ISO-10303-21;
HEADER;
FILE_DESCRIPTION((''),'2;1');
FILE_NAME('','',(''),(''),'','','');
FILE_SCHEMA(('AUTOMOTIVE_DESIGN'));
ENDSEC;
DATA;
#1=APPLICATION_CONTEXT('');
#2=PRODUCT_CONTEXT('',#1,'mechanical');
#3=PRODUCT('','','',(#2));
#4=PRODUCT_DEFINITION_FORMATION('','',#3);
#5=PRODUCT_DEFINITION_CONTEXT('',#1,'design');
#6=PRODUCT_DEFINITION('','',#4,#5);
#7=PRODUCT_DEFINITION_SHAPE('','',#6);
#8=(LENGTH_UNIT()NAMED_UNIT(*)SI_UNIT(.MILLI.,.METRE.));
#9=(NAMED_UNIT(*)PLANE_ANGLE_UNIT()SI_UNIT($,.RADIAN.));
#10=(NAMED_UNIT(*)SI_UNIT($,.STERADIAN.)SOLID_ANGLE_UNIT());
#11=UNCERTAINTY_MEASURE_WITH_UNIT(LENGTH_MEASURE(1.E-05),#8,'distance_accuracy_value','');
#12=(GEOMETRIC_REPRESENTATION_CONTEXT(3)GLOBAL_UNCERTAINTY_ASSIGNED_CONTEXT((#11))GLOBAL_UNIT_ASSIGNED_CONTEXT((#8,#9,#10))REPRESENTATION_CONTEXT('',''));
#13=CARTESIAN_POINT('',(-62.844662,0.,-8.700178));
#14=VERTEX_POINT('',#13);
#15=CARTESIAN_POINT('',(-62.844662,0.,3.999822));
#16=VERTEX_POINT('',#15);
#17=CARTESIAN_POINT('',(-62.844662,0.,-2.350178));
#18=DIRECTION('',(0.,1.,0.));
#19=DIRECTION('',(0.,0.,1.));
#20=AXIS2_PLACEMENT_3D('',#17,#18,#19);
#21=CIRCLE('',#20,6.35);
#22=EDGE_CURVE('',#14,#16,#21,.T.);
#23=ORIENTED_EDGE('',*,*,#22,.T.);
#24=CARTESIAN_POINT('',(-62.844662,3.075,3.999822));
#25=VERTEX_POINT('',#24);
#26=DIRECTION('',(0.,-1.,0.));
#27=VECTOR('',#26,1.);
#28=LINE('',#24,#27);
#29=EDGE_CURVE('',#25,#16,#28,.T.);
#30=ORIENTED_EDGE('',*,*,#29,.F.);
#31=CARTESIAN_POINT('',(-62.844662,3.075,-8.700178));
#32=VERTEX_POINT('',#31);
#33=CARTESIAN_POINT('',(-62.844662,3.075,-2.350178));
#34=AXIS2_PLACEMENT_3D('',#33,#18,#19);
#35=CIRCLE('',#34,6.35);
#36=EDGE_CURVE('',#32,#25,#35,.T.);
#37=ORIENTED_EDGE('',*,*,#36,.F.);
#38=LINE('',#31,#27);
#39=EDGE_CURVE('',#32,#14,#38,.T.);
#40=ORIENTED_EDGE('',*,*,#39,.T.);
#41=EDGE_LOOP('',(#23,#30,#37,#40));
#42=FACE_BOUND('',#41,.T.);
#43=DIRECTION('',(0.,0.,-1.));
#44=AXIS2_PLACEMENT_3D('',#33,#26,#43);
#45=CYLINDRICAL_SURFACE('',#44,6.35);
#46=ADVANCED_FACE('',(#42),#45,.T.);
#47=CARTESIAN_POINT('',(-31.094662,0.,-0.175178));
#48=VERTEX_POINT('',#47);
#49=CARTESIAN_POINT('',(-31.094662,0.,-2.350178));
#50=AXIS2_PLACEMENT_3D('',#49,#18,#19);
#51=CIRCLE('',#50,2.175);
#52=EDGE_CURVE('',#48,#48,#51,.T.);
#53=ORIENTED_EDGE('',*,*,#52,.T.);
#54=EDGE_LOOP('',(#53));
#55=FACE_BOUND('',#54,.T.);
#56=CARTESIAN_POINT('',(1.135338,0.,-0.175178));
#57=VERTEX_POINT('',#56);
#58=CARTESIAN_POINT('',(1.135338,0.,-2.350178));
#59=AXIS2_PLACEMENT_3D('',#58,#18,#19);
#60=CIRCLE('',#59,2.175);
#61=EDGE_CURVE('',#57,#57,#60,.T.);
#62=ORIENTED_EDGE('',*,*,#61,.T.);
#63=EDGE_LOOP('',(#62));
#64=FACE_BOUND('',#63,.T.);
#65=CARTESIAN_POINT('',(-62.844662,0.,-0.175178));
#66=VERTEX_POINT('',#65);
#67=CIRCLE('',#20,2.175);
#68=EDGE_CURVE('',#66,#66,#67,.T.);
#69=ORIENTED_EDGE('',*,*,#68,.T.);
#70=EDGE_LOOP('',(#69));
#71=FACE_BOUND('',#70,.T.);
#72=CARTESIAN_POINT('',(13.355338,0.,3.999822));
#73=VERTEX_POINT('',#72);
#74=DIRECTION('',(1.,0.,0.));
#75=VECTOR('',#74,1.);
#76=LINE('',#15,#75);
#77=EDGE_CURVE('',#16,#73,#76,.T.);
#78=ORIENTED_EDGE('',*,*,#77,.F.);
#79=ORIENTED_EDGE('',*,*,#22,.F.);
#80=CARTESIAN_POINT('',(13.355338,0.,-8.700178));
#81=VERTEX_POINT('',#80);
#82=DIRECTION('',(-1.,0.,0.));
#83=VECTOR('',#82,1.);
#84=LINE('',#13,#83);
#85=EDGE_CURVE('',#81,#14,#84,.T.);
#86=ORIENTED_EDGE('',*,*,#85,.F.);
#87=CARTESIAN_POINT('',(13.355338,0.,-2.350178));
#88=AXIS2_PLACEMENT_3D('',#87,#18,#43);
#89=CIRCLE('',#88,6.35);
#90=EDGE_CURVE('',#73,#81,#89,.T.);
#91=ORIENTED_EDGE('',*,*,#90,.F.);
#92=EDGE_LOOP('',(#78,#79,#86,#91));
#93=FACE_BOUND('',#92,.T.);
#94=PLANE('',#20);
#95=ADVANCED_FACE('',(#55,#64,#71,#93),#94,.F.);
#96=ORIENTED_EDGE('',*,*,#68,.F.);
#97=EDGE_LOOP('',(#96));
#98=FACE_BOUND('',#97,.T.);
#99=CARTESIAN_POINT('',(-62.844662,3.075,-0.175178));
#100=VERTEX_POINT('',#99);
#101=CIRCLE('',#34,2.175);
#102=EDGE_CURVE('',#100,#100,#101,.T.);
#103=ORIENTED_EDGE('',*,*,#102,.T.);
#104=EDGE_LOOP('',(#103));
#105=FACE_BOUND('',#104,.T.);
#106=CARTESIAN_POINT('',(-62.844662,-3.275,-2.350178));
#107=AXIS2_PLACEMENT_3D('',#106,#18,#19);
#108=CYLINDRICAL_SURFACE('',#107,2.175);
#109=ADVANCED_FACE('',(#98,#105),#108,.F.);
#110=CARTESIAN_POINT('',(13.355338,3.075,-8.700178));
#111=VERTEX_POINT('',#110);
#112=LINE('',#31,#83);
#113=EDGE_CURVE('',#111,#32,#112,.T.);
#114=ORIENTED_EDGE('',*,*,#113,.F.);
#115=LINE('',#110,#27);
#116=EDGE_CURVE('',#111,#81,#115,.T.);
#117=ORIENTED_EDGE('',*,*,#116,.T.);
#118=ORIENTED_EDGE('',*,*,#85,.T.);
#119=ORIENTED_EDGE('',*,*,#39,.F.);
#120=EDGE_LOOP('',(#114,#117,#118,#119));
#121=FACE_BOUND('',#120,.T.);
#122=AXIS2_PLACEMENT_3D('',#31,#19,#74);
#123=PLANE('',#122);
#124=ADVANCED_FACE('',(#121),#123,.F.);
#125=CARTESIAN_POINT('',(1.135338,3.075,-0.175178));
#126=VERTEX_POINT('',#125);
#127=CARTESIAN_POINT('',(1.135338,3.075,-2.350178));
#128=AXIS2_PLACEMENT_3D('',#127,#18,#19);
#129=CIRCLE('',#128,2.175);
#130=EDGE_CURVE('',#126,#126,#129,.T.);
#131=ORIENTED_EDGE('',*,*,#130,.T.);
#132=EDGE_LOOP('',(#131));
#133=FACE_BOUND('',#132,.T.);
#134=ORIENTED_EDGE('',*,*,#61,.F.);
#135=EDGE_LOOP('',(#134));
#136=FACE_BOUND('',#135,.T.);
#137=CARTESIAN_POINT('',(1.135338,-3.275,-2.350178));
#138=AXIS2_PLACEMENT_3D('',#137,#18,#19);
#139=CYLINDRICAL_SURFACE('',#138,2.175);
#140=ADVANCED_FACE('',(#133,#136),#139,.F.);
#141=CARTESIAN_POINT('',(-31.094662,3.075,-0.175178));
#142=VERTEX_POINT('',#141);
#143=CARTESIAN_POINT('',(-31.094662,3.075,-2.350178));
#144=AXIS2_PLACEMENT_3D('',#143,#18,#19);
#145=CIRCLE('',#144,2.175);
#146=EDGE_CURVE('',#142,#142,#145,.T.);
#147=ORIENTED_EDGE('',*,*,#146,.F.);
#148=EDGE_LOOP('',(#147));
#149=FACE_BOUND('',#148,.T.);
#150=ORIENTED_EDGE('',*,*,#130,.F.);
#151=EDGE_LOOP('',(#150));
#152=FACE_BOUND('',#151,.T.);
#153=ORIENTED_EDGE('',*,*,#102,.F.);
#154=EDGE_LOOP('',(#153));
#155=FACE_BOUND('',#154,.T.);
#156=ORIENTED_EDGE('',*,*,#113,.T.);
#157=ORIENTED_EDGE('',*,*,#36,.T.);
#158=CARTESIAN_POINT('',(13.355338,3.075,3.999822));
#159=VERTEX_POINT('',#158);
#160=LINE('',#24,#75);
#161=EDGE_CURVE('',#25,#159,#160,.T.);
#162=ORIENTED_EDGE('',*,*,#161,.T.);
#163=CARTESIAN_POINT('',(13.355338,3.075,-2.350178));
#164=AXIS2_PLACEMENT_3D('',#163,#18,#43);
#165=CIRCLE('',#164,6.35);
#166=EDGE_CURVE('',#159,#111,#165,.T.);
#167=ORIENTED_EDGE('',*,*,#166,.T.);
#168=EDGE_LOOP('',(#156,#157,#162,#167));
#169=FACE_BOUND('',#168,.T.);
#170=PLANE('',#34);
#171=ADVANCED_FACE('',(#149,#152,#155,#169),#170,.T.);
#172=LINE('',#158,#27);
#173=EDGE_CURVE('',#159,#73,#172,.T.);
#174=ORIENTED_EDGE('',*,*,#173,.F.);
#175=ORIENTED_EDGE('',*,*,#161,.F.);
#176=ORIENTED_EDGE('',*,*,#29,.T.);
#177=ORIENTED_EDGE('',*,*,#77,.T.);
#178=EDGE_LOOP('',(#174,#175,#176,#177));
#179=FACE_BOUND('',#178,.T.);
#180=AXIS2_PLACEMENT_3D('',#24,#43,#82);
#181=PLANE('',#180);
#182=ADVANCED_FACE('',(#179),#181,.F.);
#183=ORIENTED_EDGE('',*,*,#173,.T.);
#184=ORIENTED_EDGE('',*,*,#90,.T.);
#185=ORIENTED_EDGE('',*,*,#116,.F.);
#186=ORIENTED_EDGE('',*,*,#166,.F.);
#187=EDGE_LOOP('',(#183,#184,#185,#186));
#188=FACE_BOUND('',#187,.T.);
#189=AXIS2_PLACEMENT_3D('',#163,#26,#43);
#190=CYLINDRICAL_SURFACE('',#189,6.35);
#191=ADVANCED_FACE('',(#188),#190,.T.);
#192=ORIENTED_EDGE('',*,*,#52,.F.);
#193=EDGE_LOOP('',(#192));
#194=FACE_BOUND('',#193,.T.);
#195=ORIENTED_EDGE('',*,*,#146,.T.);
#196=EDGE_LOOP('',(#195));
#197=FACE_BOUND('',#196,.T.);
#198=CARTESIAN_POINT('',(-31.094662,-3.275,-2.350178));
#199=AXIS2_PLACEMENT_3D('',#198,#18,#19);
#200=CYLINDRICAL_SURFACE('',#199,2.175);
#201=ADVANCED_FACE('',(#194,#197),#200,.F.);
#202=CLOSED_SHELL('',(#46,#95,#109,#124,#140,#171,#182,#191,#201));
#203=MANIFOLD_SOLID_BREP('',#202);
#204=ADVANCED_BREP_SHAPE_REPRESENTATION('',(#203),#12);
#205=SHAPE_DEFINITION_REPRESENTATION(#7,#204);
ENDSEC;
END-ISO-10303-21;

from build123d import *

# Parameters (mm, degrees)
BOSS_EXTRUDE1_DEPTH = 3.075
SKETCH2_R           = 2.175
CUT_EXTRUDE2_DEPTH  = 6.35


with BuildPart() as part:
    # Sketch1 → Boss-Extrude1 (new body)
    with BuildSketch(Plane(origin=(0, 0, 0), x_dir=(1, 0, 0), z_dir=(0, 1, 0))):
        with BuildLine():
            Line((-62.844661922, 8.700177936), (13.355338078, 8.700177936))
            ThreePointArc((13.355338078, 8.700177936), (19.705338078, 2.350177936), (13.355338078, -3.999822064))
            Line((13.355338078, -3.999822064), (-62.844661922, -3.999822064))
            ThreePointArc((-62.844661922, -3.999822064), (-69.194661922, 2.350177936), (-62.844661922, 8.700177936))
        make_face()
    extrude(amount=BOSS_EXTRUDE1_DEPTH)

    # Sketch2 → Cut-Extrude2 (cut)
    with BuildSketch(Plane(origin=(0, 3.075, 0), x_dir=(1, 0, 0), z_dir=(0, 1, 0))):
        with Locations(Location((-62.844661922, 2.350177936, 0), (0, 0, 270))):
            Circle(SKETCH2_R)
        with Locations(Location((-31.094661922, 2.350177936, 0), (0, 0, 270))):
            Circle(SKETCH2_R)
        with Locations(Location((1.135338078, 2.350177936, 0), (0, 0, 270))):
            Circle(SKETCH2_R)
    extrude(amount=-CUT_EXTRUDE2_DEPTH, mode=Mode.SUBTRACT)


solid = part.part
